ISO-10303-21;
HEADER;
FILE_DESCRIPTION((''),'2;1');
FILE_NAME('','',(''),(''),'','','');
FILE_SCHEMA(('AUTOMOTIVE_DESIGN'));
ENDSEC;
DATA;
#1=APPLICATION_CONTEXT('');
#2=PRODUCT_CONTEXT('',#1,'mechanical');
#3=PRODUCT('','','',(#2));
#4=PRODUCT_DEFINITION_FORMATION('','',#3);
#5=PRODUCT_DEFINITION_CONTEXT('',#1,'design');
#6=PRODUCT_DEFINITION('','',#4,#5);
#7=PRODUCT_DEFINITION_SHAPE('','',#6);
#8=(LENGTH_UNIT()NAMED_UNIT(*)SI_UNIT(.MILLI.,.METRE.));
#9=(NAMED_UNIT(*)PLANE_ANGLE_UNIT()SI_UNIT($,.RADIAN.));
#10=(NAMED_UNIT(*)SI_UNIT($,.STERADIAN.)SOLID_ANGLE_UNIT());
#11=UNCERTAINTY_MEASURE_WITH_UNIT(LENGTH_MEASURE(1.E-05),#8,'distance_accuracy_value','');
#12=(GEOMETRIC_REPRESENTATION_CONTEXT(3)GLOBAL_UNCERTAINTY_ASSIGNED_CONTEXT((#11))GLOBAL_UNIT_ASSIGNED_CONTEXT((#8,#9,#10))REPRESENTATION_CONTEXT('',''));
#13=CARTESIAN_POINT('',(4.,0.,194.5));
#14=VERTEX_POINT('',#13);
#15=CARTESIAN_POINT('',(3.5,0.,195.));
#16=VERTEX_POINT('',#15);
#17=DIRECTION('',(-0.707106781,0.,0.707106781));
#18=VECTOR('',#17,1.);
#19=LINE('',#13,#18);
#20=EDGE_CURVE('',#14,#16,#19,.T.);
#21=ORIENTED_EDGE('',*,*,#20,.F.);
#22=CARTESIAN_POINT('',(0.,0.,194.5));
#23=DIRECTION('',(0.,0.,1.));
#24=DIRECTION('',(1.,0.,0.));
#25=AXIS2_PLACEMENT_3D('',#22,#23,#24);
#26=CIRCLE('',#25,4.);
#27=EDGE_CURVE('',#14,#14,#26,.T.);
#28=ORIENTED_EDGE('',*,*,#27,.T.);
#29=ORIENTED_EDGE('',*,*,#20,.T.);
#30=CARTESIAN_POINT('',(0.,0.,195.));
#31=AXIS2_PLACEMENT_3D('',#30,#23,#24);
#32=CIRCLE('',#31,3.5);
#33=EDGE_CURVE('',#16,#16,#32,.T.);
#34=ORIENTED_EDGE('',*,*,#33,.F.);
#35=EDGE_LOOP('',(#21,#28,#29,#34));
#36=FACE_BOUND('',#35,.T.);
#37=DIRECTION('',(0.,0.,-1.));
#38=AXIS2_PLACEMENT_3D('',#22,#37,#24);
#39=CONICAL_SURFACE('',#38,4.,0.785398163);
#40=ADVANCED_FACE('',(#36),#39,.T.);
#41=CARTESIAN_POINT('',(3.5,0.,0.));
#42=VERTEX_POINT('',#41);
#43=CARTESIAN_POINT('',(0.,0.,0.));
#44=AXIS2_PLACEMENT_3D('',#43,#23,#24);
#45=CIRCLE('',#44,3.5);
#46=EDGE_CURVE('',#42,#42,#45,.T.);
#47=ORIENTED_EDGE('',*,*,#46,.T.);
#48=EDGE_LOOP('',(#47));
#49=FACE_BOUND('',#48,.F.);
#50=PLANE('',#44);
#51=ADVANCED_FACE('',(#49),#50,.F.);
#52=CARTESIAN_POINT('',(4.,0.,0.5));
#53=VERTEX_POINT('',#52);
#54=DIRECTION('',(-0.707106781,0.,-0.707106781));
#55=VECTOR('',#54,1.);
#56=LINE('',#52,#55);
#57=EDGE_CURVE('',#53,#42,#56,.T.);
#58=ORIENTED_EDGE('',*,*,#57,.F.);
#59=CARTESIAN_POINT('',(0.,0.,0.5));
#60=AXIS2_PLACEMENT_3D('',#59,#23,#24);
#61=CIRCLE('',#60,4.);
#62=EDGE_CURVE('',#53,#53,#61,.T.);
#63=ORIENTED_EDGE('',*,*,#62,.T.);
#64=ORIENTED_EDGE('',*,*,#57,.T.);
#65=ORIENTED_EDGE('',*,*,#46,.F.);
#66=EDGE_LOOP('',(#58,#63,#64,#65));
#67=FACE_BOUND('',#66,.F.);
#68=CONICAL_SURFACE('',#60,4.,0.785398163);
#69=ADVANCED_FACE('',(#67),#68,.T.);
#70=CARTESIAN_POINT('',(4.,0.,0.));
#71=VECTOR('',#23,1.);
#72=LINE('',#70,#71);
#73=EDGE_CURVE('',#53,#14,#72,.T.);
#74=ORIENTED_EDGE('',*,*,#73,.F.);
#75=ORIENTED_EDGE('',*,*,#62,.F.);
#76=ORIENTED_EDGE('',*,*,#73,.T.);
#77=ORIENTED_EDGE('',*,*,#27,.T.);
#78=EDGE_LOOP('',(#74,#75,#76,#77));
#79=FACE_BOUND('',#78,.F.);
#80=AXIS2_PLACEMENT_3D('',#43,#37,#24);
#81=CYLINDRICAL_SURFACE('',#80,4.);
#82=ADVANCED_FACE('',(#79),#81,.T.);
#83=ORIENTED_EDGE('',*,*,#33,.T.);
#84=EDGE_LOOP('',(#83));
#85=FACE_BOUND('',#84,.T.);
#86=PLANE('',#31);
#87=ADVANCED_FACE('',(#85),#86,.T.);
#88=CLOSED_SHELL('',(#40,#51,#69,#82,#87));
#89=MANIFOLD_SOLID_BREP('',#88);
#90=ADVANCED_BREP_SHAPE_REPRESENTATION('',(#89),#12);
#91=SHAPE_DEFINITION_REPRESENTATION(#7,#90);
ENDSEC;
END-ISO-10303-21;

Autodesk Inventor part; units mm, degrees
ref_plane "YZ Plane" through (0, 0, 0) normal (1, 0, 0) x (0, 1, 0)
ref_plane "XZ Plane" through (0, 0, 0) normal (0, 1, 0) x (-1, 0, 0)
ref_plane "XY Plane" through (0, 0, 0) normal (0, 0, 1) x (1, 0, 0)
sketch "Sketch1" plane through (0, 0, 0) normal (0, 0, 1) x (1, 0, 0)
  circle A0 centre (0, 0) radius 4
  dimension "d0" = 8
extrude "Extrusion1" add sketch "Sketch1" along normal blind 195
chamfer "Chamfer1" distance 0.5 angle 45 2 edges at (-4, 0, 0) (-4, 0, 195)
properties part number "SteelShaft_1000mm"
